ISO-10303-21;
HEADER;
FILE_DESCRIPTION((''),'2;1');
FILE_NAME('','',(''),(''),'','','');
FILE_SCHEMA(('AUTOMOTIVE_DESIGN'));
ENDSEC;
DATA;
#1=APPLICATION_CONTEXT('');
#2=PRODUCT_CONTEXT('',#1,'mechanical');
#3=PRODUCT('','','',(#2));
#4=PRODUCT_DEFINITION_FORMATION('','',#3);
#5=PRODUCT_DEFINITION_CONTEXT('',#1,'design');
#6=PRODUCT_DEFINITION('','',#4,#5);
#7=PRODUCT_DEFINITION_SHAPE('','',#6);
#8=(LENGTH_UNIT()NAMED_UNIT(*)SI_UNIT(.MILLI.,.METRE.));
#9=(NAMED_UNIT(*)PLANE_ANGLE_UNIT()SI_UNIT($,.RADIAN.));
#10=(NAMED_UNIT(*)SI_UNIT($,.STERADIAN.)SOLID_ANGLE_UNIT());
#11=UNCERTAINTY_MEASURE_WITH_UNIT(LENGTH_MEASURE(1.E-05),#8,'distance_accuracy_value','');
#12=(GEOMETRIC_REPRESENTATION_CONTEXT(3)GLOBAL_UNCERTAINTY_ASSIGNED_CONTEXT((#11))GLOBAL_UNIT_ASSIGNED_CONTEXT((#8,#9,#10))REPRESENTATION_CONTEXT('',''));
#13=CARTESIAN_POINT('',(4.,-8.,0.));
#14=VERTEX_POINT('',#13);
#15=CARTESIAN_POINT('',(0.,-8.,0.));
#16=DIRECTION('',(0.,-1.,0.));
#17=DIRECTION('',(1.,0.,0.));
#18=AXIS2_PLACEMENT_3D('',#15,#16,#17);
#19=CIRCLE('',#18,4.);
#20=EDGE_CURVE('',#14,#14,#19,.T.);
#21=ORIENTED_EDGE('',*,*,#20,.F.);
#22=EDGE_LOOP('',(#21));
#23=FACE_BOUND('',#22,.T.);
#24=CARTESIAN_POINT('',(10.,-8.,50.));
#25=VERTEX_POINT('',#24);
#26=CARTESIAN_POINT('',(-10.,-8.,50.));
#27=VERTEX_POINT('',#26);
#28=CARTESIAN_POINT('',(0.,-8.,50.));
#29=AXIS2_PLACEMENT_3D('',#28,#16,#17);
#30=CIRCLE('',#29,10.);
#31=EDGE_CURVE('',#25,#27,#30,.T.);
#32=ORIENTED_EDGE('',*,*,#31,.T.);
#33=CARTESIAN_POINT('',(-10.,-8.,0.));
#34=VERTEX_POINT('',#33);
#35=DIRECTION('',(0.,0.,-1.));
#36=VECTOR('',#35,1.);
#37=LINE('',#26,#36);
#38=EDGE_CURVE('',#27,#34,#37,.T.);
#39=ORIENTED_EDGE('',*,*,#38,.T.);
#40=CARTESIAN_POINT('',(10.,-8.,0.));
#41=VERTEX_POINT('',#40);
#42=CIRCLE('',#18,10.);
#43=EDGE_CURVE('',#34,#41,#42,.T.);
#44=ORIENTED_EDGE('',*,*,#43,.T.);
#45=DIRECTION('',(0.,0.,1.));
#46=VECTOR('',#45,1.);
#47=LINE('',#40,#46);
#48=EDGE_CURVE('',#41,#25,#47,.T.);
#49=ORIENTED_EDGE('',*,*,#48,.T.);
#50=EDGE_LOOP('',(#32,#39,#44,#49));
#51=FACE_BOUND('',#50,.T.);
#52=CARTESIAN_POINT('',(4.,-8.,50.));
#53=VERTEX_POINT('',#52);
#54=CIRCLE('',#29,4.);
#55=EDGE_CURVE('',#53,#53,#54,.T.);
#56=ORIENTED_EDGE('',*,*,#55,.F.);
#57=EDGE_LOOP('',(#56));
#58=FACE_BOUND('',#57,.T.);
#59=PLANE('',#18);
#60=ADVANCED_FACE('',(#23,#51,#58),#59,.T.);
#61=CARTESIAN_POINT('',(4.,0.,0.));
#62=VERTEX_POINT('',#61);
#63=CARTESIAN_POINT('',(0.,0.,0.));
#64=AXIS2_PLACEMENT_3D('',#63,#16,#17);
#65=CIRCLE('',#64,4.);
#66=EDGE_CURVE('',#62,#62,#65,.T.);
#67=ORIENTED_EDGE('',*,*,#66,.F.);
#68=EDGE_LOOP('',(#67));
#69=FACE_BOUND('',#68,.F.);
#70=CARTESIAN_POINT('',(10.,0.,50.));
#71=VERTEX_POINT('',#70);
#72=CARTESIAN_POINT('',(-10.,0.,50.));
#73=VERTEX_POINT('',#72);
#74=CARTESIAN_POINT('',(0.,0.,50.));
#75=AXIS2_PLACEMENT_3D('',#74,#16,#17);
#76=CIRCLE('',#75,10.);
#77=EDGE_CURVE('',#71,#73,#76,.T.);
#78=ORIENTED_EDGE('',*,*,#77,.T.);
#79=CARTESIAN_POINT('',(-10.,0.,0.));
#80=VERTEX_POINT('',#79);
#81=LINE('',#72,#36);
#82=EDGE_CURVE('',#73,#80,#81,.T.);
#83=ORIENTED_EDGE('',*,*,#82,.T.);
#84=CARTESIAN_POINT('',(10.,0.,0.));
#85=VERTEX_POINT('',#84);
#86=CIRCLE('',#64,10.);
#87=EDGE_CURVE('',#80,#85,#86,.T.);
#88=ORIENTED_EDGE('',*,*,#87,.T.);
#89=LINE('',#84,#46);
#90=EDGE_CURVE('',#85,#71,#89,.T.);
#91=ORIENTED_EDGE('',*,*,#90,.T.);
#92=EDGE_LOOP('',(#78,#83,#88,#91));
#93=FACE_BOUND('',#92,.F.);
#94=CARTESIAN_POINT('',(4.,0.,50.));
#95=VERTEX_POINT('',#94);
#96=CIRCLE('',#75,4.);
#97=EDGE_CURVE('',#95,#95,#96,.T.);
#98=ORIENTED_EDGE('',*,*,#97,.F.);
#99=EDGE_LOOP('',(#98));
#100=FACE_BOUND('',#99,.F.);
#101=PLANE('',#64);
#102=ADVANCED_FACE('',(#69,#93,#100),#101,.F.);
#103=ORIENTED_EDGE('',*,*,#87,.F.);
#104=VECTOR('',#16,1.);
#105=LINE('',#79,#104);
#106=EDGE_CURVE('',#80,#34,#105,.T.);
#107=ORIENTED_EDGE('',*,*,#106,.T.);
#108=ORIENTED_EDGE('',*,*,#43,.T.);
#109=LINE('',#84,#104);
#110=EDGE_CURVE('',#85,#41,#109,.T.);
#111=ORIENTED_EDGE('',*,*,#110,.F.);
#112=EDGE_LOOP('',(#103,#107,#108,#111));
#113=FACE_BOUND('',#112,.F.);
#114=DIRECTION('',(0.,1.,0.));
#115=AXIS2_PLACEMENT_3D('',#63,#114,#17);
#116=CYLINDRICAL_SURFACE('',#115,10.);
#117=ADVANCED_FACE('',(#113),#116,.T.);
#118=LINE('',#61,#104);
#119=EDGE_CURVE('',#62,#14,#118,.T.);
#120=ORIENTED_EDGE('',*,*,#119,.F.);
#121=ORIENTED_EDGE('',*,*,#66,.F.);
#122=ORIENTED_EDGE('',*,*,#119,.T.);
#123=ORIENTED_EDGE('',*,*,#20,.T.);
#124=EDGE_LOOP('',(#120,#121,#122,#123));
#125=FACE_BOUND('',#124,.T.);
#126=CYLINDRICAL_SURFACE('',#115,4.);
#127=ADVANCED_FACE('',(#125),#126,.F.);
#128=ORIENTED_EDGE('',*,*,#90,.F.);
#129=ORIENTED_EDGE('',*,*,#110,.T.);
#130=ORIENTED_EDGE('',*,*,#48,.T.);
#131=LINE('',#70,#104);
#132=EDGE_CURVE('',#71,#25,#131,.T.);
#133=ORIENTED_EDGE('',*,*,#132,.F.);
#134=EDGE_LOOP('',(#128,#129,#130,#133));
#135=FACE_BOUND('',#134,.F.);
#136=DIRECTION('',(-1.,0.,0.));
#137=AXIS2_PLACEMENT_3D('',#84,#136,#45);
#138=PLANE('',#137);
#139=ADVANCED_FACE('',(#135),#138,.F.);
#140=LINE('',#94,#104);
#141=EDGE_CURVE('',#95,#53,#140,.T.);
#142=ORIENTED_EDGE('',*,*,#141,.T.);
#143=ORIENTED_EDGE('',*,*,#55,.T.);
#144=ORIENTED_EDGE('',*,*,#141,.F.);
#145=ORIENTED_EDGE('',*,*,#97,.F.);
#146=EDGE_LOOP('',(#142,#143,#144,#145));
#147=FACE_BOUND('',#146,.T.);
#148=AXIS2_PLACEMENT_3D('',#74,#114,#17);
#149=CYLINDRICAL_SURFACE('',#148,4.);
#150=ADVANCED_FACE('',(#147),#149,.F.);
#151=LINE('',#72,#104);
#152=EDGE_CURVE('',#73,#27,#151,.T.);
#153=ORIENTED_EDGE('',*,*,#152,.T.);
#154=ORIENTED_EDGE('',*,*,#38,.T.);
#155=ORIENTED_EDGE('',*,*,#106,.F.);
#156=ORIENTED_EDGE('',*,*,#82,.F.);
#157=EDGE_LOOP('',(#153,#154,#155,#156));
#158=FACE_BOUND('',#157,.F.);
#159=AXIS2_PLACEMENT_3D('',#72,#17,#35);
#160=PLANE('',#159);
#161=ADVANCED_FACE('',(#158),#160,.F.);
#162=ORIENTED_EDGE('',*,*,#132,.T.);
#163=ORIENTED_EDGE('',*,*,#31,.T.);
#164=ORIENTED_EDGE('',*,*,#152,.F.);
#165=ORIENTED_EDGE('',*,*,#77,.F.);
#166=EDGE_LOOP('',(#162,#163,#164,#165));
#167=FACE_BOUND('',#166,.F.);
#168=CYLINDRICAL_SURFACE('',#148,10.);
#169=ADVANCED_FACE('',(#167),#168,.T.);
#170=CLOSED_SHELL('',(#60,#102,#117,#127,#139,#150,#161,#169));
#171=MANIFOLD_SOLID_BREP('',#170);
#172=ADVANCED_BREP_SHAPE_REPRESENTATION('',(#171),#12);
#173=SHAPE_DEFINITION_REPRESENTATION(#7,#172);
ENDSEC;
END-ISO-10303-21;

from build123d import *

# Parameters (mm, degrees)
F0_R     = 4
F1_DEPTH = 8


with BuildPart() as f1:
    # F0 (on Front) → F1 (new body)
    with BuildSketch(Plane.XZ):
        with BuildLine():
            ThreePointArc((-10, 0), (0, -10), (10, 0))
            ThreePointArc((10, 0), (0, 10), (-10, 0))
        make_face()
        Circle(F0_R, mode=Mode.SUBTRACT)
        with BuildLine():
            ThreePointArc((-10, 0), (0, 10), (10, 0))
            Line((10, 0), (10, 50))
            ThreePointArc((10, 50), (0, 40), (-10, 50))
            Line((-10, 50), (-10, 0))
        make_face()
        with BuildLine():
            ThreePointArc((-10, 50), (0, 40), (10, 50))
            ThreePointArc((10, 50), (0, 60), (-10, 50))
        make_face()
        with Locations((0, 50)):
            Circle(F0_R, mode=Mode.SUBTRACT)
    extrude(amount=F1_DEPTH)


solid = f1.part
